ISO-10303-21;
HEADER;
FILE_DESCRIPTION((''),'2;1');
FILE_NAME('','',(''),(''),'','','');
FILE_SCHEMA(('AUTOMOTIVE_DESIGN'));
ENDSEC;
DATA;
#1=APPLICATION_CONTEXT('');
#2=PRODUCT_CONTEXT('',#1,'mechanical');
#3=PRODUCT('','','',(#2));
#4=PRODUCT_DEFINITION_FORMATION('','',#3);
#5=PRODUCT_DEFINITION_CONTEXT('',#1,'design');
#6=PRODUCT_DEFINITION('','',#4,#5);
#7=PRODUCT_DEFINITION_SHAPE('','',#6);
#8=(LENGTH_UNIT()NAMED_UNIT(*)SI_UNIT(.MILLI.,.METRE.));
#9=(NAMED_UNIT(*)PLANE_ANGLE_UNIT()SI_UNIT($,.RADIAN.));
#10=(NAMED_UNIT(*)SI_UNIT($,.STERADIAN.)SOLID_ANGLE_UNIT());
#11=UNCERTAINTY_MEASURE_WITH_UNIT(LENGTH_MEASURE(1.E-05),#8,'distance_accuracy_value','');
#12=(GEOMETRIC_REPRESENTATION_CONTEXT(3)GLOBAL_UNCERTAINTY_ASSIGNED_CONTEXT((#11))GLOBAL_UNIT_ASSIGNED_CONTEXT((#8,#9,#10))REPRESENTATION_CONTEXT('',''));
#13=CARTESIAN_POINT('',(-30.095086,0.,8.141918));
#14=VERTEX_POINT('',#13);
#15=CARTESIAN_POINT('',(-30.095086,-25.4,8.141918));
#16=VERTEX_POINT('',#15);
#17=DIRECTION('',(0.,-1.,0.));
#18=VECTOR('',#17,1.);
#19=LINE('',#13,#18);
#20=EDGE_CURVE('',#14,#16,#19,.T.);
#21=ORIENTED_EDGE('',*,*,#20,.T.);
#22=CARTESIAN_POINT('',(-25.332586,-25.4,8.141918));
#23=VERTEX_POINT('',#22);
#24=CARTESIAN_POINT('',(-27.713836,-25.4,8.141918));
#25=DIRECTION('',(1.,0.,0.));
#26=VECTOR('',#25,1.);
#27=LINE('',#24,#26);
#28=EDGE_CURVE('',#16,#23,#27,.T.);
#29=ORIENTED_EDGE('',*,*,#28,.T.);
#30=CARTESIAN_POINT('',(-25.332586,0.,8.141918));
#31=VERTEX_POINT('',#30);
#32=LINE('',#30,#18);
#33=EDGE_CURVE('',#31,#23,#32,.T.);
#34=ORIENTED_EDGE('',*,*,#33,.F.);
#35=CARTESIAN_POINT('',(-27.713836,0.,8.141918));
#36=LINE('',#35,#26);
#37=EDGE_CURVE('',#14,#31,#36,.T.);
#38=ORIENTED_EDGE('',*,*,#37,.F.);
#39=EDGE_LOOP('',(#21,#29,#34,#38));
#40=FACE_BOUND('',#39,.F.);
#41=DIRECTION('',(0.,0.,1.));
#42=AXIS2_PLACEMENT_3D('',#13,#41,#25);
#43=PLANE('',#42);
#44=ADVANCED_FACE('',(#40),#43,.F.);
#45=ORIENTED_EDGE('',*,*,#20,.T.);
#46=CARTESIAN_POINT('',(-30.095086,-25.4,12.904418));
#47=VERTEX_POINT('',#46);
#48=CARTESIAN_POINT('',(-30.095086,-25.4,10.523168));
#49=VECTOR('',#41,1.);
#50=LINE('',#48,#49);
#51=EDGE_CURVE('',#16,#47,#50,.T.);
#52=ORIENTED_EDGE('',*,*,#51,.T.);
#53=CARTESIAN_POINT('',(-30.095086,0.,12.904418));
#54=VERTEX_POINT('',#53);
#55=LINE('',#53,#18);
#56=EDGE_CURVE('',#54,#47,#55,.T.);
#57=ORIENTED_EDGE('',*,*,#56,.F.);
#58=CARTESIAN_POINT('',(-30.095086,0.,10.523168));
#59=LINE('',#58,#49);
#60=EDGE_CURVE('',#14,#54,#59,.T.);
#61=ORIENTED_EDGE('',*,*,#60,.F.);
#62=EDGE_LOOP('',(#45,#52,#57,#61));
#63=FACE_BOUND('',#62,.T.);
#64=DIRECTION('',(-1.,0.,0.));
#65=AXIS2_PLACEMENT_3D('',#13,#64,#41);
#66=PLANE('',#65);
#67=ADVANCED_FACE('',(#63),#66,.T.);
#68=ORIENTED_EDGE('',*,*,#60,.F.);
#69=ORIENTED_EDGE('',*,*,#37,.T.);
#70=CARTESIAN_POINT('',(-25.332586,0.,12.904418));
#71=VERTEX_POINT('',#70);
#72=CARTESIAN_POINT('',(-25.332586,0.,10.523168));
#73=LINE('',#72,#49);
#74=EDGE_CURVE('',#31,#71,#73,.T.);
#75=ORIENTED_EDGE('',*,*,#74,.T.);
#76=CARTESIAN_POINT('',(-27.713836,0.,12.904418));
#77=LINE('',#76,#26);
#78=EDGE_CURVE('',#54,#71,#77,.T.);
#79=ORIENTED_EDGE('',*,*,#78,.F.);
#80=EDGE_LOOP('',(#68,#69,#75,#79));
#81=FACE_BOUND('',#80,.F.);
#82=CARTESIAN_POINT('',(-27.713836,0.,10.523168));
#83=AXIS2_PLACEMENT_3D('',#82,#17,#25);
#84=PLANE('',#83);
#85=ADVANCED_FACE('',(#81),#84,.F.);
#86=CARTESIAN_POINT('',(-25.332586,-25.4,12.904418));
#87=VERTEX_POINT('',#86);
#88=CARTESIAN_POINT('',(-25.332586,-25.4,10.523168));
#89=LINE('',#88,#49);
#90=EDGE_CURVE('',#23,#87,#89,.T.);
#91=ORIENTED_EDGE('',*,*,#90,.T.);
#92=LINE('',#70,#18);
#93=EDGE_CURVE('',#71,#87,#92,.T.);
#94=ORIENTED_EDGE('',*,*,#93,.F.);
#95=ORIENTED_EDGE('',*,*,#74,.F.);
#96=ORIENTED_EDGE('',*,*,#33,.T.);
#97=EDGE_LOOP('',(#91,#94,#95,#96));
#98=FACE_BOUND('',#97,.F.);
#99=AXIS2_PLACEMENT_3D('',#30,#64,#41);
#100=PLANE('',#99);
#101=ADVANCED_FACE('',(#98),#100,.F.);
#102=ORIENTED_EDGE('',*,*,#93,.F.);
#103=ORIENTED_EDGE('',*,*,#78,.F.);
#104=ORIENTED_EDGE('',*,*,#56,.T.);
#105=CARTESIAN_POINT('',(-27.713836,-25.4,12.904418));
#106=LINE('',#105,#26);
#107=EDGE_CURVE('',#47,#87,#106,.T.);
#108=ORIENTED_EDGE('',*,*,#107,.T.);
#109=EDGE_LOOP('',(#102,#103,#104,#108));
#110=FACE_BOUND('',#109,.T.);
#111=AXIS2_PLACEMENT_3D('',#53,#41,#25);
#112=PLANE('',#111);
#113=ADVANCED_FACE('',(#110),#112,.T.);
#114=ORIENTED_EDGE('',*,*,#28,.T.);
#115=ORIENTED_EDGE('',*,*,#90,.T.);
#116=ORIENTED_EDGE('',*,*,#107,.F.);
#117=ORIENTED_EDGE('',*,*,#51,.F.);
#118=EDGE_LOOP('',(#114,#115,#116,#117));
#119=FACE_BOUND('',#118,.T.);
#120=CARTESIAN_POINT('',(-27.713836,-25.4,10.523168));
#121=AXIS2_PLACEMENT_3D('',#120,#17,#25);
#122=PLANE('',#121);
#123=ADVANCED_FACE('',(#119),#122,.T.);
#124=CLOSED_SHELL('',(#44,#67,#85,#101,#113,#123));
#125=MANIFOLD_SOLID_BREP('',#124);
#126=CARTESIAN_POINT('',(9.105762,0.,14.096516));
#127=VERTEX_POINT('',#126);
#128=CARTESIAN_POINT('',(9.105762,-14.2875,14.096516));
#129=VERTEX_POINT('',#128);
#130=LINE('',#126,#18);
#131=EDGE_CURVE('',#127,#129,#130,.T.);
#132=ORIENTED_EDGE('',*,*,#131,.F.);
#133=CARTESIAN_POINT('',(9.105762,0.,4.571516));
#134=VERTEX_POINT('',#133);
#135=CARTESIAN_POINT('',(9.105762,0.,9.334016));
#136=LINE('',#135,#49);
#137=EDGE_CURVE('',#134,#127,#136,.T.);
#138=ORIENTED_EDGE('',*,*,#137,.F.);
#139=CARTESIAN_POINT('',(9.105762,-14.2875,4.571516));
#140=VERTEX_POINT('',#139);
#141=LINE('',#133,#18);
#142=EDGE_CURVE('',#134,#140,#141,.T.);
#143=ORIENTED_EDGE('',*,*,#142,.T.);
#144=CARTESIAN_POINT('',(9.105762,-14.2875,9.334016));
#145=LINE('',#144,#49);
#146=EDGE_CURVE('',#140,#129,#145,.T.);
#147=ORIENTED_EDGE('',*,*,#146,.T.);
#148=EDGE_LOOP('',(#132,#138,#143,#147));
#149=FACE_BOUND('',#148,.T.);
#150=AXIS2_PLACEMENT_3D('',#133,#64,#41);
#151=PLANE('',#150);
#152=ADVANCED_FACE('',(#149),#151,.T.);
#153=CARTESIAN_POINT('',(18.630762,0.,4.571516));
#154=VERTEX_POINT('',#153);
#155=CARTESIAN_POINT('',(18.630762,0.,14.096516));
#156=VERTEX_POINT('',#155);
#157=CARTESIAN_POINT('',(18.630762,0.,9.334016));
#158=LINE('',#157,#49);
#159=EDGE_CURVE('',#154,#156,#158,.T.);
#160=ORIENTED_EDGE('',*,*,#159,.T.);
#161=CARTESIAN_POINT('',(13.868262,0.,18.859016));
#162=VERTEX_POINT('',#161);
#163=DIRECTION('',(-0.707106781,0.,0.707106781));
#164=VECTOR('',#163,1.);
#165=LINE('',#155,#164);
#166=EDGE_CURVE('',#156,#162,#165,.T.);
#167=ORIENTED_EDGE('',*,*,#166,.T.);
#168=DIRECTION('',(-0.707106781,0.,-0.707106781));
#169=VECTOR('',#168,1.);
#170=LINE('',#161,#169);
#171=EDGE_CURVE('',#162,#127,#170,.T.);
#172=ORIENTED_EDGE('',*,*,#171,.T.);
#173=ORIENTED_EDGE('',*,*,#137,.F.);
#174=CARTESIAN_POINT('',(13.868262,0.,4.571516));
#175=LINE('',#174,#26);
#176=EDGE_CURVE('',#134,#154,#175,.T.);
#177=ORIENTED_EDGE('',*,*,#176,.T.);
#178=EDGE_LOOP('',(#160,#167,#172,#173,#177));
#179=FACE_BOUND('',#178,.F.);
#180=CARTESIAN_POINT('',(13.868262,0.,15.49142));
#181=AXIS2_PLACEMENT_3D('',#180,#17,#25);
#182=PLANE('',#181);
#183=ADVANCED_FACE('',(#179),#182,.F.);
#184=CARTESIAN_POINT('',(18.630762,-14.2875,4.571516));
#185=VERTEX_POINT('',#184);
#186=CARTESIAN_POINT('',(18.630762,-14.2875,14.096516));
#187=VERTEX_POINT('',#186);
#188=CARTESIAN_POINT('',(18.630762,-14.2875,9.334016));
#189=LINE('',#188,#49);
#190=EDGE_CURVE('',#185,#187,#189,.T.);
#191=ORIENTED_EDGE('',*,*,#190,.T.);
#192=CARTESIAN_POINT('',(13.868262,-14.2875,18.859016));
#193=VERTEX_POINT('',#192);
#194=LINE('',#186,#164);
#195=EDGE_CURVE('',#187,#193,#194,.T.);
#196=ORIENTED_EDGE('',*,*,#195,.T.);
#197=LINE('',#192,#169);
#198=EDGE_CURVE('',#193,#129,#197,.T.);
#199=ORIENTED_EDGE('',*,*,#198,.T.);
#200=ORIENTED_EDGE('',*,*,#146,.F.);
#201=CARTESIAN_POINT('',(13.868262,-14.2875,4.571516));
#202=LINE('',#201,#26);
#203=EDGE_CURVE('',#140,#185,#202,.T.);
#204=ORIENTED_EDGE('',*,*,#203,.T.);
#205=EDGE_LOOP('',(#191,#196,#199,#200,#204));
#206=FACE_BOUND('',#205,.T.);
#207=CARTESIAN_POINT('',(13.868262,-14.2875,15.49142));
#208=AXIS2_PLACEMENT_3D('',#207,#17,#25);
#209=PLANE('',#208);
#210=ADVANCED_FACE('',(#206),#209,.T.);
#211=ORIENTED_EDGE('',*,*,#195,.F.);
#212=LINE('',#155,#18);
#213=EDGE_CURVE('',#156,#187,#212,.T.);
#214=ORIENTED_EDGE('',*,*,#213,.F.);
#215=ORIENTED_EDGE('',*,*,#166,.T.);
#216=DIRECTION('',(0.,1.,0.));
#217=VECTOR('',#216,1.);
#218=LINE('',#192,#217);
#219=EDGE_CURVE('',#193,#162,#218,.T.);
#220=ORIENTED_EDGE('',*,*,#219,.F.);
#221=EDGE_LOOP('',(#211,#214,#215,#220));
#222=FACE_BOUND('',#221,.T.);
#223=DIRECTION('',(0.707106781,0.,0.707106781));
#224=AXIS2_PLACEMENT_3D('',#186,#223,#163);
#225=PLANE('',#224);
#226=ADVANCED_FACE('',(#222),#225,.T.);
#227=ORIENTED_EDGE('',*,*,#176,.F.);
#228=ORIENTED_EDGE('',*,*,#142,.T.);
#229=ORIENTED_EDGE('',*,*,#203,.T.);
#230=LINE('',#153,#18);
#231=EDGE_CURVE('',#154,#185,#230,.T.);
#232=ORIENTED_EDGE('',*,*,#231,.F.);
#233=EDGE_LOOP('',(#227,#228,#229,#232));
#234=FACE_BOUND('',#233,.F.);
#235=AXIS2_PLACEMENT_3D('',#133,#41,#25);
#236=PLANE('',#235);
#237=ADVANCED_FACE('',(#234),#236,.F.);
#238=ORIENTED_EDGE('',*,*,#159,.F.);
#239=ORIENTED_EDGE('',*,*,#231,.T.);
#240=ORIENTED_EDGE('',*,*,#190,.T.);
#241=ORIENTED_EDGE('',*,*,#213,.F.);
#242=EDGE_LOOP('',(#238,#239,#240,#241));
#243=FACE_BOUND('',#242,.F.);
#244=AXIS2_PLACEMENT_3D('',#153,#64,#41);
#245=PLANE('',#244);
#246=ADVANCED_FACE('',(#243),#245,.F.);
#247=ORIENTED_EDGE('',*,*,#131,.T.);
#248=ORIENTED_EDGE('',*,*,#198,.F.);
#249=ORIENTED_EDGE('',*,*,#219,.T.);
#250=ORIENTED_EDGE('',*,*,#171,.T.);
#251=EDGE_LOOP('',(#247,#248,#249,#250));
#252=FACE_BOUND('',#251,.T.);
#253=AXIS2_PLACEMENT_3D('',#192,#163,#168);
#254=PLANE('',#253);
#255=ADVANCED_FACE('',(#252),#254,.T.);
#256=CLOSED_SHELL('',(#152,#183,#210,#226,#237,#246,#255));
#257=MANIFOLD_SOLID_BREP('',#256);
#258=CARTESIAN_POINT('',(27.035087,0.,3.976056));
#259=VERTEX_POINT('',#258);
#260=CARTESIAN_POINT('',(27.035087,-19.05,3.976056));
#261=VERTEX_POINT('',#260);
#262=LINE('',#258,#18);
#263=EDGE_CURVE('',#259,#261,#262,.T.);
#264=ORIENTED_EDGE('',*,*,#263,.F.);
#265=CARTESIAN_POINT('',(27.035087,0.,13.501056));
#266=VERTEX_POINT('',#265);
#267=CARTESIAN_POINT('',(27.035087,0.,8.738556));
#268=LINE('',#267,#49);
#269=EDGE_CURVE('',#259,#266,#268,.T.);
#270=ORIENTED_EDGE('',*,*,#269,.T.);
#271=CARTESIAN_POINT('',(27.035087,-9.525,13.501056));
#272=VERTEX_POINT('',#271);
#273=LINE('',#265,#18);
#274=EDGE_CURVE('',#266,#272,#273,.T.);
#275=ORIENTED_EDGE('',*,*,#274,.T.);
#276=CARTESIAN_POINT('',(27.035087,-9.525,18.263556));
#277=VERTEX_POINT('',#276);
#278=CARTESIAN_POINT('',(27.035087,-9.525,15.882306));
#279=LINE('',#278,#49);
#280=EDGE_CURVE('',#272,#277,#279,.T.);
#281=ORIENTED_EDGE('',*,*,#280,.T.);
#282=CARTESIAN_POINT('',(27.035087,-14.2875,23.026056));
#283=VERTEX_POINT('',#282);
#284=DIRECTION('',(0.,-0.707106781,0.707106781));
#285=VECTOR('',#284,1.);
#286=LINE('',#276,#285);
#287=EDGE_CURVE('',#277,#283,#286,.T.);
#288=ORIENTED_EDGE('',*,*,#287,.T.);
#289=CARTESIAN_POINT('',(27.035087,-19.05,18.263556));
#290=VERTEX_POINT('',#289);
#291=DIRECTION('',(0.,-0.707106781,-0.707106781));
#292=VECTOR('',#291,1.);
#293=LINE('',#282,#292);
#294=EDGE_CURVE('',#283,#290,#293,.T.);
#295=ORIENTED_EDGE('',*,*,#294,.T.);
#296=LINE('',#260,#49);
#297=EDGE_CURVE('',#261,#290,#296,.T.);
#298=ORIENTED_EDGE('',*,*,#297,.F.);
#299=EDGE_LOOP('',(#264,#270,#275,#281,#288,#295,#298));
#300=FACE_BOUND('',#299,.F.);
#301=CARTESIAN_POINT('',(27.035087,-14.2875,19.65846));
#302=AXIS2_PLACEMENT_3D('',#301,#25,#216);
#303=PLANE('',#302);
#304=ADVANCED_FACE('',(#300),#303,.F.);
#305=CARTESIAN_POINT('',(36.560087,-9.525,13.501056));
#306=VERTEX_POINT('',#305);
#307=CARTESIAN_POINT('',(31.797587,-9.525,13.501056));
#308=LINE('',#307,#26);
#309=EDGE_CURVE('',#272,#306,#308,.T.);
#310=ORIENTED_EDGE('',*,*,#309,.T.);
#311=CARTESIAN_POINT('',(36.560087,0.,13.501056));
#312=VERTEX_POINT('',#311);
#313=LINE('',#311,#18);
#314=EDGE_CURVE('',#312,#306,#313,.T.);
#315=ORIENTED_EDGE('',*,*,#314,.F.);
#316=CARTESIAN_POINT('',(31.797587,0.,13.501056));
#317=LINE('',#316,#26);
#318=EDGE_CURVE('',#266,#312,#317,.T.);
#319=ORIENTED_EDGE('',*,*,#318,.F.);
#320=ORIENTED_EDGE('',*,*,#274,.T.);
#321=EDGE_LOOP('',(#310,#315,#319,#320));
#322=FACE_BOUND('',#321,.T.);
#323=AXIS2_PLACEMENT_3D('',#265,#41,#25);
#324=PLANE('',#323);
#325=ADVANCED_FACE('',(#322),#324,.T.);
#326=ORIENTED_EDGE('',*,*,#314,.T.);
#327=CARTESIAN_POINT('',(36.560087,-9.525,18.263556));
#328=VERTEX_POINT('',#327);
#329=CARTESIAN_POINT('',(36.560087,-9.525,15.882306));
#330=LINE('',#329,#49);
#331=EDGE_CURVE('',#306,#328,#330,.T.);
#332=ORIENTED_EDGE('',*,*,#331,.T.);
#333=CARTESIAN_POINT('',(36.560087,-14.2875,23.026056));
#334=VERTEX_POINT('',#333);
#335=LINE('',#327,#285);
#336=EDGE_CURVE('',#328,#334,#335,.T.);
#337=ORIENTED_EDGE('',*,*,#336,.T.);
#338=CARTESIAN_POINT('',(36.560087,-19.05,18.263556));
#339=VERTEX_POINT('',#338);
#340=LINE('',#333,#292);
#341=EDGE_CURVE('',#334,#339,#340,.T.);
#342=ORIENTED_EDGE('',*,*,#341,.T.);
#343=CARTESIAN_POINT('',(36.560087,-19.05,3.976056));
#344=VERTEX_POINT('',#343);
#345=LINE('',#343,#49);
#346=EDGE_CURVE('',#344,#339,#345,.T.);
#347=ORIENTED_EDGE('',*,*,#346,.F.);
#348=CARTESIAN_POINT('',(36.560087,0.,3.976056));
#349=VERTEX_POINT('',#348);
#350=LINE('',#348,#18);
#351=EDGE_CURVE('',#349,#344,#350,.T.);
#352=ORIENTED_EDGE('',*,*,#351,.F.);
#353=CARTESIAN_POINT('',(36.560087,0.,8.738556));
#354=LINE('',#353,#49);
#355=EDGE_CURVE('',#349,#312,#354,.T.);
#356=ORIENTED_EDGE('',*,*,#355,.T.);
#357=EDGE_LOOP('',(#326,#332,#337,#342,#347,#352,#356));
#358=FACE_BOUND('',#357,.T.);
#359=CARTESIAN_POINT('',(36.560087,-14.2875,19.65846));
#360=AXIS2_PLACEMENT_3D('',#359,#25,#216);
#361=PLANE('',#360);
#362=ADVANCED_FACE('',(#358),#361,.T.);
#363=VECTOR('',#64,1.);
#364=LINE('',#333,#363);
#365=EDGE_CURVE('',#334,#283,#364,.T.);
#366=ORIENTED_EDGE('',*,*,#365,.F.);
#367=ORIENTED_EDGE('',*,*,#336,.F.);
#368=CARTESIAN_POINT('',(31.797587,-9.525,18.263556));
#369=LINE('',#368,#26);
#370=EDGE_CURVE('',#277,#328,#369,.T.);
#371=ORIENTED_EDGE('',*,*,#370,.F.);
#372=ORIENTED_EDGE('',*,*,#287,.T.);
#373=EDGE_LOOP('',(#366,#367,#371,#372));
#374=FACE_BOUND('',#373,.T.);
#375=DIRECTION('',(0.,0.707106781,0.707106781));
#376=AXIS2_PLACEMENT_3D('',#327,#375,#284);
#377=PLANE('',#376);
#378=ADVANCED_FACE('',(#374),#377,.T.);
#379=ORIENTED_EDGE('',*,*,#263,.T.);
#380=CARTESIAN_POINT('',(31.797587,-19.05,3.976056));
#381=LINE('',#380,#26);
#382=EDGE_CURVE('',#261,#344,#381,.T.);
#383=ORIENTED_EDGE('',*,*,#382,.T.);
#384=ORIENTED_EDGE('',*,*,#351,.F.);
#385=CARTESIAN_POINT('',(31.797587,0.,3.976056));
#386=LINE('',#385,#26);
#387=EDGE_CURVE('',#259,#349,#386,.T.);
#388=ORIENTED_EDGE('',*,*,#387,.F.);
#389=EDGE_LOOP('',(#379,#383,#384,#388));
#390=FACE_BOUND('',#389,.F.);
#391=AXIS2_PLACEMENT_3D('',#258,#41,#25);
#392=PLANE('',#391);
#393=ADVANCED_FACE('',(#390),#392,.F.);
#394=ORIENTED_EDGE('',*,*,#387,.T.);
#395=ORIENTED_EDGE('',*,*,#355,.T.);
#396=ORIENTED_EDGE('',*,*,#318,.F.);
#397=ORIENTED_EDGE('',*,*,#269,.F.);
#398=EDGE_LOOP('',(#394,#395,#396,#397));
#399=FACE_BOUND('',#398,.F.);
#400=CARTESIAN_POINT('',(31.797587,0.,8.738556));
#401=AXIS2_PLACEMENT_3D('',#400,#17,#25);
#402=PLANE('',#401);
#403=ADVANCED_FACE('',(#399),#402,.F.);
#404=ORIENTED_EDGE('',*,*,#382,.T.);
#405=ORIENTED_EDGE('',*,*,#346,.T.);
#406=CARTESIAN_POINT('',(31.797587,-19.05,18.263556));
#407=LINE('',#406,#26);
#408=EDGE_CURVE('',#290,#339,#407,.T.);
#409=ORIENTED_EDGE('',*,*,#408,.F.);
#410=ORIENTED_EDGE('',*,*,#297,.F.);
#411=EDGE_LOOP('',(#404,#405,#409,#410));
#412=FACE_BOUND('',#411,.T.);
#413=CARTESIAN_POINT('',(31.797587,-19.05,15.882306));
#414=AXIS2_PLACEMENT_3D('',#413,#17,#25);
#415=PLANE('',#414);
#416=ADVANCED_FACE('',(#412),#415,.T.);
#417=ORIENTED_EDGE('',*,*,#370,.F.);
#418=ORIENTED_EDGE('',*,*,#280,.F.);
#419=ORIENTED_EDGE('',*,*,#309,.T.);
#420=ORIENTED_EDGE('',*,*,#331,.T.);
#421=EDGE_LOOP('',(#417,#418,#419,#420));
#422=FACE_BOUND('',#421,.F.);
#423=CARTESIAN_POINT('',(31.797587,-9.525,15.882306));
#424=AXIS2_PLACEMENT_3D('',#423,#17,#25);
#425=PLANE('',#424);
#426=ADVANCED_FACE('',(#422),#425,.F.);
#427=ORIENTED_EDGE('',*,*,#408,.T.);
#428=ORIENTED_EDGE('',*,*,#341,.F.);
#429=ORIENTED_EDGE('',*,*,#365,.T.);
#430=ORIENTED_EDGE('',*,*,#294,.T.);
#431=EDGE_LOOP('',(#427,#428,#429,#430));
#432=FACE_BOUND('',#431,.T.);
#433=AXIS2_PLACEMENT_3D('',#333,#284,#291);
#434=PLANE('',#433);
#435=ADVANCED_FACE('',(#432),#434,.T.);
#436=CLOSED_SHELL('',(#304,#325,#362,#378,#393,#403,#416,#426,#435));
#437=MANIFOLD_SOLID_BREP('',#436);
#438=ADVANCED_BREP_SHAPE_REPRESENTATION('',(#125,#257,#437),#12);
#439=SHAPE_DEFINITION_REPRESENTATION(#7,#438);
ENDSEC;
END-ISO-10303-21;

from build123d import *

# Parameters (mm, degrees)
F0_W      = 4.7625
F0_H      = 4.7625
F1_DEPTH  = 25.4
F2_W      = 9.525
F2_H      = 9.525
F3_DEPTH  = 14.2875
F5_DEPTH  = 14.2875
F6_W      = 9.525
F6_H      = 9.525
F7_DEPTH  = 19.05
F8_W      = 9.525
F8_H      = 4.7625
F9_DEPTH  = 9.525
F11_DEPTH = 9.525


with BuildPart() as f1:
    # F0 (on Front) → F1 (new body)
    with BuildSketch(Plane.XZ):
        with Locations((-27.7138361707, 10.5231681079)):
            Rectangle(F0_W, F0_H)
    extrude(amount=F1_DEPTH)


with BuildPart() as f3:
    # F2 (on Front) → F3 (new body)
    with BuildSketch(Plane.XZ):
        with Locations((13.8682615355, 9.33401566)):
            Rectangle(F2_W, F2_H)
    extrude(amount=F3_DEPTH)

    # F4 (on face) → F5 (join)
    with BuildSketch(Plane.XZ.offset(14.2875)):
        Polygon((18.6307615355, 14.09651566), (13.8682615355, 18.85901566), (9.1057615355, 14.09651566), align=None)
    extrude(amount=-F5_DEPTH)


with BuildPart() as f7:
    # F6 (on Front) → F7 (new body)
    with BuildSketch(Plane.XZ):
        with Locations((31.7975869402, 8.7385558866)):
            Rectangle(F6_W, F6_H)
    extrude(amount=F7_DEPTH)

    # F8 (on face) → F9 (join)
    with BuildSketch(Plane.XZ.offset(19.05)):
        with Locations((31.7975869402, 15.8823058866)):
            Rectangle(F8_W, F8_H)
    extrude(amount=-F9_DEPTH)

    # F10 (on face) → F11 (join)
    with BuildSketch(Plane.YZ.offset(36.5600869402)):
        Polygon((-9.525, 18.2635558866), (-14.2875, 23.0260558866), (-19.05, 18.2635558866), align=None)
    extrude(amount=-F11_DEPTH)


solid = Compound([f1.part, f3.part, f7.part])
